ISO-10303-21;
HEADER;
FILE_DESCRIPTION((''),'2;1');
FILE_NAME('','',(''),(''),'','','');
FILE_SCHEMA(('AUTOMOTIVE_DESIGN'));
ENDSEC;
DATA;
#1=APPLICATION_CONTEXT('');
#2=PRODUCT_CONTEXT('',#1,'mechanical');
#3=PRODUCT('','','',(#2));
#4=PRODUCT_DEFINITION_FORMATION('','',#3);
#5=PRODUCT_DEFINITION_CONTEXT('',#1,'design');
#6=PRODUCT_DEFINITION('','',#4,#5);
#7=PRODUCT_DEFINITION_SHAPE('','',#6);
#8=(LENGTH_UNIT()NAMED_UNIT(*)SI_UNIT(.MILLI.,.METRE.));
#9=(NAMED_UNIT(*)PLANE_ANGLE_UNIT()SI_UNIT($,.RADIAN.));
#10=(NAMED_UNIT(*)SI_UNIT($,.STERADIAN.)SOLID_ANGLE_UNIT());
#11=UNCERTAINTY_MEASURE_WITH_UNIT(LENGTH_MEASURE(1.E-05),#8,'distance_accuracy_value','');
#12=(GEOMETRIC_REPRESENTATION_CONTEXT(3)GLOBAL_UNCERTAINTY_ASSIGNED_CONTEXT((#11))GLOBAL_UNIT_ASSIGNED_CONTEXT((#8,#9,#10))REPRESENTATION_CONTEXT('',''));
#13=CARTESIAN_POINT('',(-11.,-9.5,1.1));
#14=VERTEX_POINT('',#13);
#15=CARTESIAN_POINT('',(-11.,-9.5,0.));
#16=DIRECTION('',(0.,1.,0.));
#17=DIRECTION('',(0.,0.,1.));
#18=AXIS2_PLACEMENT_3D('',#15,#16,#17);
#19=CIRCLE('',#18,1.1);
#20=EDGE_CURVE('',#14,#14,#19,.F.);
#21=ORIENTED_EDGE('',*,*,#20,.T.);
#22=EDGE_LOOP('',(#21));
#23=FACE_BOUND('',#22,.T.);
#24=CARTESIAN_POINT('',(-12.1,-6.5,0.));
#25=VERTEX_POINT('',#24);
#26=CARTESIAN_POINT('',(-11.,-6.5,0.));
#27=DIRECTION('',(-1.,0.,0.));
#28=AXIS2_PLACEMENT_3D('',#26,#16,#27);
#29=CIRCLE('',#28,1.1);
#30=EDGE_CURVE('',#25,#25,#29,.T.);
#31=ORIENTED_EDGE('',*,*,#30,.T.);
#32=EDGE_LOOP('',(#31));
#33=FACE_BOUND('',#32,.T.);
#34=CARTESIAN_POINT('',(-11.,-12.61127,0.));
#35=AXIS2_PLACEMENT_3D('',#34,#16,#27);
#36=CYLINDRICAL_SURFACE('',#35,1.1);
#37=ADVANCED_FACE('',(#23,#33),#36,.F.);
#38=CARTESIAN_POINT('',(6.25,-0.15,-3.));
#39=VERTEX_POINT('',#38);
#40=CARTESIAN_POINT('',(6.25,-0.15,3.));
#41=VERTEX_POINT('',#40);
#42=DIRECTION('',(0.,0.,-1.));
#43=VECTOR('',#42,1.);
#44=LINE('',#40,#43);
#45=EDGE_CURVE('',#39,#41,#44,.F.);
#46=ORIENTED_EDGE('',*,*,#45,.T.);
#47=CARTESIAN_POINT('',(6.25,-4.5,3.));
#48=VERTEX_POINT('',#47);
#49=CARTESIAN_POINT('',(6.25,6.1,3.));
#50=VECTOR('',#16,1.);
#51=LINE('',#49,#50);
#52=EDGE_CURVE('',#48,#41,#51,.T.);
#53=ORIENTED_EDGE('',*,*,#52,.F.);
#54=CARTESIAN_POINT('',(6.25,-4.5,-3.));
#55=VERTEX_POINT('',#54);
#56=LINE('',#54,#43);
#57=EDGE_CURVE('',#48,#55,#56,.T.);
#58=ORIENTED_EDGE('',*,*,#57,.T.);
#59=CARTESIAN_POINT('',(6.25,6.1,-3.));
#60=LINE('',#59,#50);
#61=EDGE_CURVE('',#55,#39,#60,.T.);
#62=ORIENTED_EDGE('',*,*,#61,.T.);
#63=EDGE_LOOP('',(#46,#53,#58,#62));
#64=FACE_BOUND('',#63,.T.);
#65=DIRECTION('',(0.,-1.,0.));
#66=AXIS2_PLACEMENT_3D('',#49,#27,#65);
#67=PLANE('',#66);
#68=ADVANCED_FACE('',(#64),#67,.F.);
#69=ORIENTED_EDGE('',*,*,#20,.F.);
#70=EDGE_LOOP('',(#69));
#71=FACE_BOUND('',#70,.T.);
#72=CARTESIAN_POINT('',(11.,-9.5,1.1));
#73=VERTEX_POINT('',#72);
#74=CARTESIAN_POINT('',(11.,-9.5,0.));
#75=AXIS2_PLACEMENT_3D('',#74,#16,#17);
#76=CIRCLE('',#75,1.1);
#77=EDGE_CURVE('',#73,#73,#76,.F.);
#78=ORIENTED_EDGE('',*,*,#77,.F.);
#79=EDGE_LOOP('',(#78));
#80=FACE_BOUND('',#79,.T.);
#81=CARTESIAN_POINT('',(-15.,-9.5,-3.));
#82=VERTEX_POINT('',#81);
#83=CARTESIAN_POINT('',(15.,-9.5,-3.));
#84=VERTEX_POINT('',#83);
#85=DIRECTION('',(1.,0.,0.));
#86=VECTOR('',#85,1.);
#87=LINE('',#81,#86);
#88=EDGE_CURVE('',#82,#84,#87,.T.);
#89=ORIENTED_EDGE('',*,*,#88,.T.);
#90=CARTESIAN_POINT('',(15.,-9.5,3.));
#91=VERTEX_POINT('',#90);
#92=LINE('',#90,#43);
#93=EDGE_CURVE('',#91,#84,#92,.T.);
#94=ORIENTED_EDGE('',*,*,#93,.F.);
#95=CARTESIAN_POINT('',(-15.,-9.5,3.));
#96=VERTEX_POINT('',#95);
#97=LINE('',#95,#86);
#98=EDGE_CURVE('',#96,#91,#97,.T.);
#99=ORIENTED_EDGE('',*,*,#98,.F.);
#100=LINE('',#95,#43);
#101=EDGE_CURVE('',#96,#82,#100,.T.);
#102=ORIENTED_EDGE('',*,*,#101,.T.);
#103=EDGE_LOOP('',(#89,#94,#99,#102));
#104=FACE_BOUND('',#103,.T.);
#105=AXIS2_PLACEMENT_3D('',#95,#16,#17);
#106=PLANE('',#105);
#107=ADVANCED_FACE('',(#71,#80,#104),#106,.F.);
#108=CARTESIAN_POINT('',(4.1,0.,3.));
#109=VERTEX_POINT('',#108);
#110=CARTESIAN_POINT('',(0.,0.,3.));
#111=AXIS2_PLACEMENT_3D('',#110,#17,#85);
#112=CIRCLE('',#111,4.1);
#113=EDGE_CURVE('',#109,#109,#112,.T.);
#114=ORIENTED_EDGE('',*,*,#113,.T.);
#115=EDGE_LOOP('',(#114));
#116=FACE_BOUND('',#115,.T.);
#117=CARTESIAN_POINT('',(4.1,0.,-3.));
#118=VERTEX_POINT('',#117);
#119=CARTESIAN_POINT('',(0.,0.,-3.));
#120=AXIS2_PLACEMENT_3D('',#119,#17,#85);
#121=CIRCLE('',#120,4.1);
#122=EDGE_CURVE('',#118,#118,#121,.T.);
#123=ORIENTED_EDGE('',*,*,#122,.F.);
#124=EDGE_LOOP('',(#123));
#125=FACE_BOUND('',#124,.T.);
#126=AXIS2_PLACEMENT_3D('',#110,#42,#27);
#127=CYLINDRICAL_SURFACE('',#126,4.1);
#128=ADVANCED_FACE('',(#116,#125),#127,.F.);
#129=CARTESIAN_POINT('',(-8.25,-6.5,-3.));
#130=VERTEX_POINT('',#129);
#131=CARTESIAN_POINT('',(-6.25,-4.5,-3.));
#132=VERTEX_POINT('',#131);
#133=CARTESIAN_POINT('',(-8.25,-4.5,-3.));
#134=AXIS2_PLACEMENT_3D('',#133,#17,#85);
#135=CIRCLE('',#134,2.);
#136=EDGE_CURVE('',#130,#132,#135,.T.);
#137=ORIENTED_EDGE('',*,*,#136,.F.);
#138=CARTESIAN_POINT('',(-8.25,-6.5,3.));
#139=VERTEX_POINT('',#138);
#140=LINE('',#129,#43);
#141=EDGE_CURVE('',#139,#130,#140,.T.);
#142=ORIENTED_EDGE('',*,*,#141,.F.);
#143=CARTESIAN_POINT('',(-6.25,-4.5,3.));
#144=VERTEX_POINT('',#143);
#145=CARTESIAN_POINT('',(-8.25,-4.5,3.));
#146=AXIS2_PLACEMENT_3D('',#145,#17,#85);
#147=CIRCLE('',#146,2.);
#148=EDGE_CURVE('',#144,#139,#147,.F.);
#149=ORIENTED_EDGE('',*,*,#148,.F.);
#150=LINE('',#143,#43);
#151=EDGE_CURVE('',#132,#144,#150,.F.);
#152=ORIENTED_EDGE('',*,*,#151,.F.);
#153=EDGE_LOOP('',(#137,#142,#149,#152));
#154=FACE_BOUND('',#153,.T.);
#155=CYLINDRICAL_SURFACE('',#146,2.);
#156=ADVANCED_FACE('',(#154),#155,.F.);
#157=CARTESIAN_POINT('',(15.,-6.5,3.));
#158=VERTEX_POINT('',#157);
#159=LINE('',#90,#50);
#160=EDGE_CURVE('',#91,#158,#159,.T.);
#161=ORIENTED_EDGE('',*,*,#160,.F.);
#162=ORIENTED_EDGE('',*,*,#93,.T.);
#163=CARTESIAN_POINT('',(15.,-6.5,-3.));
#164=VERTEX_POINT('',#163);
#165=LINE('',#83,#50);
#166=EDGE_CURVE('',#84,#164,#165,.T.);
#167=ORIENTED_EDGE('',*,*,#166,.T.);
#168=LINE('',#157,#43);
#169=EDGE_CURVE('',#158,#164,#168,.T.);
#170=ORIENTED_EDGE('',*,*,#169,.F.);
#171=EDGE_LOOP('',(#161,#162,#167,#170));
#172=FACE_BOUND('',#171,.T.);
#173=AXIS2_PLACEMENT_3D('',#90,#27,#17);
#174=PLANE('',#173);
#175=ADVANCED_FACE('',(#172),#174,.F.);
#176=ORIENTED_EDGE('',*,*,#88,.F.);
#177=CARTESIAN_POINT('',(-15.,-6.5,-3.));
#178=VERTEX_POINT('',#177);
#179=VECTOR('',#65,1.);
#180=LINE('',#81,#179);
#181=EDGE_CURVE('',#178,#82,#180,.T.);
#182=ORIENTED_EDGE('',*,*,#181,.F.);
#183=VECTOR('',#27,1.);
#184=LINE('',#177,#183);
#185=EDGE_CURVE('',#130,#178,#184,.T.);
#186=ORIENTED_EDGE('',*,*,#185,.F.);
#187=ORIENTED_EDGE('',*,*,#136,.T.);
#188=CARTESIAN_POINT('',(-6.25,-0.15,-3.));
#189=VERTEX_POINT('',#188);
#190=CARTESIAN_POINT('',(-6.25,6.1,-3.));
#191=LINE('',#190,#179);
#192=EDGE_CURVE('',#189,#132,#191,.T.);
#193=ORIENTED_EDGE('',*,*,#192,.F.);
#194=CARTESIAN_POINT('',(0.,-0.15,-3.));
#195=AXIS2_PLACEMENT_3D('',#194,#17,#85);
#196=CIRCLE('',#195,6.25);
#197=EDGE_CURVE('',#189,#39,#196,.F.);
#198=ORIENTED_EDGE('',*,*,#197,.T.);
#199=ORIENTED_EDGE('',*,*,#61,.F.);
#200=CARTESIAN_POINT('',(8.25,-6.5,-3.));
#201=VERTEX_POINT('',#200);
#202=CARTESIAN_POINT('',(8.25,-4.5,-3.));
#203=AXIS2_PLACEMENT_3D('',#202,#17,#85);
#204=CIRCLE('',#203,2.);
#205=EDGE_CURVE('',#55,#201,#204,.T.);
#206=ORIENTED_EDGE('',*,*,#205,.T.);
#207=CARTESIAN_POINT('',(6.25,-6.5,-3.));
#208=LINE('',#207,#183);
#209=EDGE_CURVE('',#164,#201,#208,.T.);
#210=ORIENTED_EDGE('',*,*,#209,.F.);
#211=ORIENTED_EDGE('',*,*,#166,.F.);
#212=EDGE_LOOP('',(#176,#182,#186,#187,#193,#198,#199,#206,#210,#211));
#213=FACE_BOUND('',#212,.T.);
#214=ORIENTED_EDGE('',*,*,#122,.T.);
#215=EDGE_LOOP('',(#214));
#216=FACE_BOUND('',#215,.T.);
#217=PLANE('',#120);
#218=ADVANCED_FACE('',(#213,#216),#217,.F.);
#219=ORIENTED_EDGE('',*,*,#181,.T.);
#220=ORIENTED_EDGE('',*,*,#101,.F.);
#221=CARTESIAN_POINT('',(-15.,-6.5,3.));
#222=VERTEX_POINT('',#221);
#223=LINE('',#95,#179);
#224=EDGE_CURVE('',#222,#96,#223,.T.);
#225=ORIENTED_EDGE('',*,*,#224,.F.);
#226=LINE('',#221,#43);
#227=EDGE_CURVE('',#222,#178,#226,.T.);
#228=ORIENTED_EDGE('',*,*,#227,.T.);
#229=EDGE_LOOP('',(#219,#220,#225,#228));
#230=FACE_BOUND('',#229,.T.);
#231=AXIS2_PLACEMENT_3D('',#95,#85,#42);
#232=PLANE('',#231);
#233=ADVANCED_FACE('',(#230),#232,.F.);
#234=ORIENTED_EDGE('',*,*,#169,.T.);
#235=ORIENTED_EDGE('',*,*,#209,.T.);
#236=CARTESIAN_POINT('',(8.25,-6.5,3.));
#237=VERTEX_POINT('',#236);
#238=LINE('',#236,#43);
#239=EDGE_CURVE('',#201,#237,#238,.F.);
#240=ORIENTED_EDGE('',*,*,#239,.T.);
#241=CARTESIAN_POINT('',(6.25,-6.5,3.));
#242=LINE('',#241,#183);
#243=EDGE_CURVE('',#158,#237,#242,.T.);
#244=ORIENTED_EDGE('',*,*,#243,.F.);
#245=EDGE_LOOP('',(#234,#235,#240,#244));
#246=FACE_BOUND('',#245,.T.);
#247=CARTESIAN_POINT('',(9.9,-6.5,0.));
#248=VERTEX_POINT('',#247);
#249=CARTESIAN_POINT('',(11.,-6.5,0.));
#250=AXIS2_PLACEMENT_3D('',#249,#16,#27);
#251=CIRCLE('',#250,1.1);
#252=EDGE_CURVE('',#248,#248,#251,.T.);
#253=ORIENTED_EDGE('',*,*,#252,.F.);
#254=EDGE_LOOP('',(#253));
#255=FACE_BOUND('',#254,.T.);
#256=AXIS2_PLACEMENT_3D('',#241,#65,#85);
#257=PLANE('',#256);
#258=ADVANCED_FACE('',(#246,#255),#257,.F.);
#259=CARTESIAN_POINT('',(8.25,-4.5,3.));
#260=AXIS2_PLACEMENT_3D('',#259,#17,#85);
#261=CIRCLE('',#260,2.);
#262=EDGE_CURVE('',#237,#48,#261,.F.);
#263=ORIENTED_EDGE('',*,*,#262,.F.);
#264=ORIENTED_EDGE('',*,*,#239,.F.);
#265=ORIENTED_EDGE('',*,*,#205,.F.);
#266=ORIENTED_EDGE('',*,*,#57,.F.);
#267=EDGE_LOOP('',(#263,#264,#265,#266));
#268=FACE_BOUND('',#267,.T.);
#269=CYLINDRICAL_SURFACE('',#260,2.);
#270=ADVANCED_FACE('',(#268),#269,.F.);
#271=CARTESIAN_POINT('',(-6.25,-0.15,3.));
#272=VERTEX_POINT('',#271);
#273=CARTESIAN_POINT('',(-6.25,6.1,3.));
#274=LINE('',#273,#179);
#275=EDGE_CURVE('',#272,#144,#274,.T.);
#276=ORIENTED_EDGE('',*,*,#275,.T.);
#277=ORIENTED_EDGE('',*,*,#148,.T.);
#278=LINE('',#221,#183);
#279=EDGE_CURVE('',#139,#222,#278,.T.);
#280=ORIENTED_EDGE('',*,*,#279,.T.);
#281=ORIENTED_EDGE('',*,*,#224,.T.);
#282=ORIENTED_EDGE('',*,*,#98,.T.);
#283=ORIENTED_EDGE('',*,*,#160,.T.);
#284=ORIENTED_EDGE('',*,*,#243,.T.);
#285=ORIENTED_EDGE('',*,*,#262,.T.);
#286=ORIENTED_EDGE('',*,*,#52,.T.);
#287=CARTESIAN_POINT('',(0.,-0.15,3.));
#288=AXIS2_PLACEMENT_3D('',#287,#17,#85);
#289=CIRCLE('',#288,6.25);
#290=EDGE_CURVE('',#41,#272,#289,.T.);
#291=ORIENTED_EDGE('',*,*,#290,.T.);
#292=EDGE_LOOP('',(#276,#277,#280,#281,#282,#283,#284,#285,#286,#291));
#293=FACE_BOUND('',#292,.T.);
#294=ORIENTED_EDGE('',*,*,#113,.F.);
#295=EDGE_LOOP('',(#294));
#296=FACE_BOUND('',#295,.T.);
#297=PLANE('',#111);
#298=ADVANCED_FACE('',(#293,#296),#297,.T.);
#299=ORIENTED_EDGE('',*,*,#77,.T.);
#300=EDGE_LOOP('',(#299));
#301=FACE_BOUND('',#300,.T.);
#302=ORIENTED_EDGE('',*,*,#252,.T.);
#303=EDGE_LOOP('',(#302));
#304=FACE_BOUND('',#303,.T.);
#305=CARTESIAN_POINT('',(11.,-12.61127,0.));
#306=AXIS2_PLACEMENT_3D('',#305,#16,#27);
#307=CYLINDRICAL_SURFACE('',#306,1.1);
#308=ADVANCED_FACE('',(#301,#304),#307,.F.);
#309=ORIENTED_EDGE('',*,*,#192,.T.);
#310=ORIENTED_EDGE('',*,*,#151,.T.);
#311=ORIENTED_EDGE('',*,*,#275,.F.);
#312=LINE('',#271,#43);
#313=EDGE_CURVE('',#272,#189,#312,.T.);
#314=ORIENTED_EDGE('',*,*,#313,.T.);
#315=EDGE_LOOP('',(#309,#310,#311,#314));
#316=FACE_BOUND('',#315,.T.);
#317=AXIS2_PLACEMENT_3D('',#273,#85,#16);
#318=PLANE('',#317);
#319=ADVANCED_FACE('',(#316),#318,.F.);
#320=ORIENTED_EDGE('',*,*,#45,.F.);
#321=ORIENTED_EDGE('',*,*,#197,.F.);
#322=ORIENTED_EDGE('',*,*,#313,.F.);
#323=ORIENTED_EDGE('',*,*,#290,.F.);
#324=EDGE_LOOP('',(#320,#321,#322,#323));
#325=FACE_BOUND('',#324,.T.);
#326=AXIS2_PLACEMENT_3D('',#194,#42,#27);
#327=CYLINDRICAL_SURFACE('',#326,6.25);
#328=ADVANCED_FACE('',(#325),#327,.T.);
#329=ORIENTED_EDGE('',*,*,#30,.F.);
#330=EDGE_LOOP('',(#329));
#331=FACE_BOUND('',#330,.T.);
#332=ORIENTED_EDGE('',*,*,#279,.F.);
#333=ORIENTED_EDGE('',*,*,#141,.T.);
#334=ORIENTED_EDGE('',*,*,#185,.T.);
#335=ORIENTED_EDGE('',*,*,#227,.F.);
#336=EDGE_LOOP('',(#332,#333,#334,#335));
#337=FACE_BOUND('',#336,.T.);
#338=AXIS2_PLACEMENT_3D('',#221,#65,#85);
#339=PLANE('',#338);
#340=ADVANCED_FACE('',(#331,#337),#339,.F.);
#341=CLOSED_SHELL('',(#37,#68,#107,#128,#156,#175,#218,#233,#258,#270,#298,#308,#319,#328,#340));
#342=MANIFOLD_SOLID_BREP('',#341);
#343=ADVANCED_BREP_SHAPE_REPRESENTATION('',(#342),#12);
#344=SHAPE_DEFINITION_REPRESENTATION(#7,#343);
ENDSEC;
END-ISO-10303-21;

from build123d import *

# Parameters (mm, degrees)
SKETCH2_R           = 4.1
BOSS_EXTRUDE1_DEPTH = 3
FILLET1_RADIUS      = 6.25
FILLET1_LENGTH      = 6
FILLET2_R           = 2
SKETCH3_R           = 1.1
CUT_EXTRUDE1_DEPTH  = 3


with BuildPart() as part:
    # Sketch2 → Boss-Extrude1 (new, symmetric)
    with BuildSketch(Plane.XY):
        Polygon((6.25, -6.5), (15, -6.5), (15, -9.5), (-15, -9.5), (-15, -6.5), (-6.25, -6.5), (-6.25, 6.1), (6.25, 6.1), align=None)
        Circle(SKETCH2_R, mode=Mode.SUBTRACT)
    extrude(amount=BOSS_EXTRUDE1_DEPTH, both=True)

    # Fillet1: full round fillet: the end face becomes a half cylinder, R = half its width
    fillet1_face = Plane((0, 6.1, 0), x_dir=(0, 0, 1), z_dir=(0, 1, 0))  # on the end face: x along it, z out of the body
    fillet1_slab = fillet1_face.offset(-FILLET1_RADIUS / 2) * Box(FILLET1_LENGTH, 2 * FILLET1_RADIUS, FILLET1_RADIUS, mode=Mode.PRIVATE)  # the body's end, R deep
    fillet1_round = Plane((0, -0.15, 0), x_dir=(0, 1, 0), z_dir=(0, 0, 1)) * Cylinder(FILLET1_RADIUS, FILLET1_LENGTH, mode=Mode.PRIVATE)  # its axis R under the face
    add(fillet1_slab - fillet1_round, mode=Mode.SUBTRACT)

    # Fillet2
    fillet2_edges = [part.edges().sort_by_distance(p)[0] for p in [
        (6.25, -6.5, 0),
        (-6.25, -6.5, 0),
    ]]
    fillet(fillet2_edges, radius=FILLET2_R)

    # Sketch3 → Cut-Extrude1 (cut)
    with BuildSketch(Plane(origin=(0, -6.5, 0), x_dir=(1, 0, 0), z_dir=(0, 1, 0))):
        with Locations(Location((-11, 0, 0), (0, 0, 180))):
            Circle(SKETCH3_R)
        with Locations(Location((11, 0, 0), (0, 0, 180))):
            Circle(SKETCH3_R)
    extrude(amount=-CUT_EXTRUDE1_DEPTH, mode=Mode.SUBTRACT)


solid = part.part
